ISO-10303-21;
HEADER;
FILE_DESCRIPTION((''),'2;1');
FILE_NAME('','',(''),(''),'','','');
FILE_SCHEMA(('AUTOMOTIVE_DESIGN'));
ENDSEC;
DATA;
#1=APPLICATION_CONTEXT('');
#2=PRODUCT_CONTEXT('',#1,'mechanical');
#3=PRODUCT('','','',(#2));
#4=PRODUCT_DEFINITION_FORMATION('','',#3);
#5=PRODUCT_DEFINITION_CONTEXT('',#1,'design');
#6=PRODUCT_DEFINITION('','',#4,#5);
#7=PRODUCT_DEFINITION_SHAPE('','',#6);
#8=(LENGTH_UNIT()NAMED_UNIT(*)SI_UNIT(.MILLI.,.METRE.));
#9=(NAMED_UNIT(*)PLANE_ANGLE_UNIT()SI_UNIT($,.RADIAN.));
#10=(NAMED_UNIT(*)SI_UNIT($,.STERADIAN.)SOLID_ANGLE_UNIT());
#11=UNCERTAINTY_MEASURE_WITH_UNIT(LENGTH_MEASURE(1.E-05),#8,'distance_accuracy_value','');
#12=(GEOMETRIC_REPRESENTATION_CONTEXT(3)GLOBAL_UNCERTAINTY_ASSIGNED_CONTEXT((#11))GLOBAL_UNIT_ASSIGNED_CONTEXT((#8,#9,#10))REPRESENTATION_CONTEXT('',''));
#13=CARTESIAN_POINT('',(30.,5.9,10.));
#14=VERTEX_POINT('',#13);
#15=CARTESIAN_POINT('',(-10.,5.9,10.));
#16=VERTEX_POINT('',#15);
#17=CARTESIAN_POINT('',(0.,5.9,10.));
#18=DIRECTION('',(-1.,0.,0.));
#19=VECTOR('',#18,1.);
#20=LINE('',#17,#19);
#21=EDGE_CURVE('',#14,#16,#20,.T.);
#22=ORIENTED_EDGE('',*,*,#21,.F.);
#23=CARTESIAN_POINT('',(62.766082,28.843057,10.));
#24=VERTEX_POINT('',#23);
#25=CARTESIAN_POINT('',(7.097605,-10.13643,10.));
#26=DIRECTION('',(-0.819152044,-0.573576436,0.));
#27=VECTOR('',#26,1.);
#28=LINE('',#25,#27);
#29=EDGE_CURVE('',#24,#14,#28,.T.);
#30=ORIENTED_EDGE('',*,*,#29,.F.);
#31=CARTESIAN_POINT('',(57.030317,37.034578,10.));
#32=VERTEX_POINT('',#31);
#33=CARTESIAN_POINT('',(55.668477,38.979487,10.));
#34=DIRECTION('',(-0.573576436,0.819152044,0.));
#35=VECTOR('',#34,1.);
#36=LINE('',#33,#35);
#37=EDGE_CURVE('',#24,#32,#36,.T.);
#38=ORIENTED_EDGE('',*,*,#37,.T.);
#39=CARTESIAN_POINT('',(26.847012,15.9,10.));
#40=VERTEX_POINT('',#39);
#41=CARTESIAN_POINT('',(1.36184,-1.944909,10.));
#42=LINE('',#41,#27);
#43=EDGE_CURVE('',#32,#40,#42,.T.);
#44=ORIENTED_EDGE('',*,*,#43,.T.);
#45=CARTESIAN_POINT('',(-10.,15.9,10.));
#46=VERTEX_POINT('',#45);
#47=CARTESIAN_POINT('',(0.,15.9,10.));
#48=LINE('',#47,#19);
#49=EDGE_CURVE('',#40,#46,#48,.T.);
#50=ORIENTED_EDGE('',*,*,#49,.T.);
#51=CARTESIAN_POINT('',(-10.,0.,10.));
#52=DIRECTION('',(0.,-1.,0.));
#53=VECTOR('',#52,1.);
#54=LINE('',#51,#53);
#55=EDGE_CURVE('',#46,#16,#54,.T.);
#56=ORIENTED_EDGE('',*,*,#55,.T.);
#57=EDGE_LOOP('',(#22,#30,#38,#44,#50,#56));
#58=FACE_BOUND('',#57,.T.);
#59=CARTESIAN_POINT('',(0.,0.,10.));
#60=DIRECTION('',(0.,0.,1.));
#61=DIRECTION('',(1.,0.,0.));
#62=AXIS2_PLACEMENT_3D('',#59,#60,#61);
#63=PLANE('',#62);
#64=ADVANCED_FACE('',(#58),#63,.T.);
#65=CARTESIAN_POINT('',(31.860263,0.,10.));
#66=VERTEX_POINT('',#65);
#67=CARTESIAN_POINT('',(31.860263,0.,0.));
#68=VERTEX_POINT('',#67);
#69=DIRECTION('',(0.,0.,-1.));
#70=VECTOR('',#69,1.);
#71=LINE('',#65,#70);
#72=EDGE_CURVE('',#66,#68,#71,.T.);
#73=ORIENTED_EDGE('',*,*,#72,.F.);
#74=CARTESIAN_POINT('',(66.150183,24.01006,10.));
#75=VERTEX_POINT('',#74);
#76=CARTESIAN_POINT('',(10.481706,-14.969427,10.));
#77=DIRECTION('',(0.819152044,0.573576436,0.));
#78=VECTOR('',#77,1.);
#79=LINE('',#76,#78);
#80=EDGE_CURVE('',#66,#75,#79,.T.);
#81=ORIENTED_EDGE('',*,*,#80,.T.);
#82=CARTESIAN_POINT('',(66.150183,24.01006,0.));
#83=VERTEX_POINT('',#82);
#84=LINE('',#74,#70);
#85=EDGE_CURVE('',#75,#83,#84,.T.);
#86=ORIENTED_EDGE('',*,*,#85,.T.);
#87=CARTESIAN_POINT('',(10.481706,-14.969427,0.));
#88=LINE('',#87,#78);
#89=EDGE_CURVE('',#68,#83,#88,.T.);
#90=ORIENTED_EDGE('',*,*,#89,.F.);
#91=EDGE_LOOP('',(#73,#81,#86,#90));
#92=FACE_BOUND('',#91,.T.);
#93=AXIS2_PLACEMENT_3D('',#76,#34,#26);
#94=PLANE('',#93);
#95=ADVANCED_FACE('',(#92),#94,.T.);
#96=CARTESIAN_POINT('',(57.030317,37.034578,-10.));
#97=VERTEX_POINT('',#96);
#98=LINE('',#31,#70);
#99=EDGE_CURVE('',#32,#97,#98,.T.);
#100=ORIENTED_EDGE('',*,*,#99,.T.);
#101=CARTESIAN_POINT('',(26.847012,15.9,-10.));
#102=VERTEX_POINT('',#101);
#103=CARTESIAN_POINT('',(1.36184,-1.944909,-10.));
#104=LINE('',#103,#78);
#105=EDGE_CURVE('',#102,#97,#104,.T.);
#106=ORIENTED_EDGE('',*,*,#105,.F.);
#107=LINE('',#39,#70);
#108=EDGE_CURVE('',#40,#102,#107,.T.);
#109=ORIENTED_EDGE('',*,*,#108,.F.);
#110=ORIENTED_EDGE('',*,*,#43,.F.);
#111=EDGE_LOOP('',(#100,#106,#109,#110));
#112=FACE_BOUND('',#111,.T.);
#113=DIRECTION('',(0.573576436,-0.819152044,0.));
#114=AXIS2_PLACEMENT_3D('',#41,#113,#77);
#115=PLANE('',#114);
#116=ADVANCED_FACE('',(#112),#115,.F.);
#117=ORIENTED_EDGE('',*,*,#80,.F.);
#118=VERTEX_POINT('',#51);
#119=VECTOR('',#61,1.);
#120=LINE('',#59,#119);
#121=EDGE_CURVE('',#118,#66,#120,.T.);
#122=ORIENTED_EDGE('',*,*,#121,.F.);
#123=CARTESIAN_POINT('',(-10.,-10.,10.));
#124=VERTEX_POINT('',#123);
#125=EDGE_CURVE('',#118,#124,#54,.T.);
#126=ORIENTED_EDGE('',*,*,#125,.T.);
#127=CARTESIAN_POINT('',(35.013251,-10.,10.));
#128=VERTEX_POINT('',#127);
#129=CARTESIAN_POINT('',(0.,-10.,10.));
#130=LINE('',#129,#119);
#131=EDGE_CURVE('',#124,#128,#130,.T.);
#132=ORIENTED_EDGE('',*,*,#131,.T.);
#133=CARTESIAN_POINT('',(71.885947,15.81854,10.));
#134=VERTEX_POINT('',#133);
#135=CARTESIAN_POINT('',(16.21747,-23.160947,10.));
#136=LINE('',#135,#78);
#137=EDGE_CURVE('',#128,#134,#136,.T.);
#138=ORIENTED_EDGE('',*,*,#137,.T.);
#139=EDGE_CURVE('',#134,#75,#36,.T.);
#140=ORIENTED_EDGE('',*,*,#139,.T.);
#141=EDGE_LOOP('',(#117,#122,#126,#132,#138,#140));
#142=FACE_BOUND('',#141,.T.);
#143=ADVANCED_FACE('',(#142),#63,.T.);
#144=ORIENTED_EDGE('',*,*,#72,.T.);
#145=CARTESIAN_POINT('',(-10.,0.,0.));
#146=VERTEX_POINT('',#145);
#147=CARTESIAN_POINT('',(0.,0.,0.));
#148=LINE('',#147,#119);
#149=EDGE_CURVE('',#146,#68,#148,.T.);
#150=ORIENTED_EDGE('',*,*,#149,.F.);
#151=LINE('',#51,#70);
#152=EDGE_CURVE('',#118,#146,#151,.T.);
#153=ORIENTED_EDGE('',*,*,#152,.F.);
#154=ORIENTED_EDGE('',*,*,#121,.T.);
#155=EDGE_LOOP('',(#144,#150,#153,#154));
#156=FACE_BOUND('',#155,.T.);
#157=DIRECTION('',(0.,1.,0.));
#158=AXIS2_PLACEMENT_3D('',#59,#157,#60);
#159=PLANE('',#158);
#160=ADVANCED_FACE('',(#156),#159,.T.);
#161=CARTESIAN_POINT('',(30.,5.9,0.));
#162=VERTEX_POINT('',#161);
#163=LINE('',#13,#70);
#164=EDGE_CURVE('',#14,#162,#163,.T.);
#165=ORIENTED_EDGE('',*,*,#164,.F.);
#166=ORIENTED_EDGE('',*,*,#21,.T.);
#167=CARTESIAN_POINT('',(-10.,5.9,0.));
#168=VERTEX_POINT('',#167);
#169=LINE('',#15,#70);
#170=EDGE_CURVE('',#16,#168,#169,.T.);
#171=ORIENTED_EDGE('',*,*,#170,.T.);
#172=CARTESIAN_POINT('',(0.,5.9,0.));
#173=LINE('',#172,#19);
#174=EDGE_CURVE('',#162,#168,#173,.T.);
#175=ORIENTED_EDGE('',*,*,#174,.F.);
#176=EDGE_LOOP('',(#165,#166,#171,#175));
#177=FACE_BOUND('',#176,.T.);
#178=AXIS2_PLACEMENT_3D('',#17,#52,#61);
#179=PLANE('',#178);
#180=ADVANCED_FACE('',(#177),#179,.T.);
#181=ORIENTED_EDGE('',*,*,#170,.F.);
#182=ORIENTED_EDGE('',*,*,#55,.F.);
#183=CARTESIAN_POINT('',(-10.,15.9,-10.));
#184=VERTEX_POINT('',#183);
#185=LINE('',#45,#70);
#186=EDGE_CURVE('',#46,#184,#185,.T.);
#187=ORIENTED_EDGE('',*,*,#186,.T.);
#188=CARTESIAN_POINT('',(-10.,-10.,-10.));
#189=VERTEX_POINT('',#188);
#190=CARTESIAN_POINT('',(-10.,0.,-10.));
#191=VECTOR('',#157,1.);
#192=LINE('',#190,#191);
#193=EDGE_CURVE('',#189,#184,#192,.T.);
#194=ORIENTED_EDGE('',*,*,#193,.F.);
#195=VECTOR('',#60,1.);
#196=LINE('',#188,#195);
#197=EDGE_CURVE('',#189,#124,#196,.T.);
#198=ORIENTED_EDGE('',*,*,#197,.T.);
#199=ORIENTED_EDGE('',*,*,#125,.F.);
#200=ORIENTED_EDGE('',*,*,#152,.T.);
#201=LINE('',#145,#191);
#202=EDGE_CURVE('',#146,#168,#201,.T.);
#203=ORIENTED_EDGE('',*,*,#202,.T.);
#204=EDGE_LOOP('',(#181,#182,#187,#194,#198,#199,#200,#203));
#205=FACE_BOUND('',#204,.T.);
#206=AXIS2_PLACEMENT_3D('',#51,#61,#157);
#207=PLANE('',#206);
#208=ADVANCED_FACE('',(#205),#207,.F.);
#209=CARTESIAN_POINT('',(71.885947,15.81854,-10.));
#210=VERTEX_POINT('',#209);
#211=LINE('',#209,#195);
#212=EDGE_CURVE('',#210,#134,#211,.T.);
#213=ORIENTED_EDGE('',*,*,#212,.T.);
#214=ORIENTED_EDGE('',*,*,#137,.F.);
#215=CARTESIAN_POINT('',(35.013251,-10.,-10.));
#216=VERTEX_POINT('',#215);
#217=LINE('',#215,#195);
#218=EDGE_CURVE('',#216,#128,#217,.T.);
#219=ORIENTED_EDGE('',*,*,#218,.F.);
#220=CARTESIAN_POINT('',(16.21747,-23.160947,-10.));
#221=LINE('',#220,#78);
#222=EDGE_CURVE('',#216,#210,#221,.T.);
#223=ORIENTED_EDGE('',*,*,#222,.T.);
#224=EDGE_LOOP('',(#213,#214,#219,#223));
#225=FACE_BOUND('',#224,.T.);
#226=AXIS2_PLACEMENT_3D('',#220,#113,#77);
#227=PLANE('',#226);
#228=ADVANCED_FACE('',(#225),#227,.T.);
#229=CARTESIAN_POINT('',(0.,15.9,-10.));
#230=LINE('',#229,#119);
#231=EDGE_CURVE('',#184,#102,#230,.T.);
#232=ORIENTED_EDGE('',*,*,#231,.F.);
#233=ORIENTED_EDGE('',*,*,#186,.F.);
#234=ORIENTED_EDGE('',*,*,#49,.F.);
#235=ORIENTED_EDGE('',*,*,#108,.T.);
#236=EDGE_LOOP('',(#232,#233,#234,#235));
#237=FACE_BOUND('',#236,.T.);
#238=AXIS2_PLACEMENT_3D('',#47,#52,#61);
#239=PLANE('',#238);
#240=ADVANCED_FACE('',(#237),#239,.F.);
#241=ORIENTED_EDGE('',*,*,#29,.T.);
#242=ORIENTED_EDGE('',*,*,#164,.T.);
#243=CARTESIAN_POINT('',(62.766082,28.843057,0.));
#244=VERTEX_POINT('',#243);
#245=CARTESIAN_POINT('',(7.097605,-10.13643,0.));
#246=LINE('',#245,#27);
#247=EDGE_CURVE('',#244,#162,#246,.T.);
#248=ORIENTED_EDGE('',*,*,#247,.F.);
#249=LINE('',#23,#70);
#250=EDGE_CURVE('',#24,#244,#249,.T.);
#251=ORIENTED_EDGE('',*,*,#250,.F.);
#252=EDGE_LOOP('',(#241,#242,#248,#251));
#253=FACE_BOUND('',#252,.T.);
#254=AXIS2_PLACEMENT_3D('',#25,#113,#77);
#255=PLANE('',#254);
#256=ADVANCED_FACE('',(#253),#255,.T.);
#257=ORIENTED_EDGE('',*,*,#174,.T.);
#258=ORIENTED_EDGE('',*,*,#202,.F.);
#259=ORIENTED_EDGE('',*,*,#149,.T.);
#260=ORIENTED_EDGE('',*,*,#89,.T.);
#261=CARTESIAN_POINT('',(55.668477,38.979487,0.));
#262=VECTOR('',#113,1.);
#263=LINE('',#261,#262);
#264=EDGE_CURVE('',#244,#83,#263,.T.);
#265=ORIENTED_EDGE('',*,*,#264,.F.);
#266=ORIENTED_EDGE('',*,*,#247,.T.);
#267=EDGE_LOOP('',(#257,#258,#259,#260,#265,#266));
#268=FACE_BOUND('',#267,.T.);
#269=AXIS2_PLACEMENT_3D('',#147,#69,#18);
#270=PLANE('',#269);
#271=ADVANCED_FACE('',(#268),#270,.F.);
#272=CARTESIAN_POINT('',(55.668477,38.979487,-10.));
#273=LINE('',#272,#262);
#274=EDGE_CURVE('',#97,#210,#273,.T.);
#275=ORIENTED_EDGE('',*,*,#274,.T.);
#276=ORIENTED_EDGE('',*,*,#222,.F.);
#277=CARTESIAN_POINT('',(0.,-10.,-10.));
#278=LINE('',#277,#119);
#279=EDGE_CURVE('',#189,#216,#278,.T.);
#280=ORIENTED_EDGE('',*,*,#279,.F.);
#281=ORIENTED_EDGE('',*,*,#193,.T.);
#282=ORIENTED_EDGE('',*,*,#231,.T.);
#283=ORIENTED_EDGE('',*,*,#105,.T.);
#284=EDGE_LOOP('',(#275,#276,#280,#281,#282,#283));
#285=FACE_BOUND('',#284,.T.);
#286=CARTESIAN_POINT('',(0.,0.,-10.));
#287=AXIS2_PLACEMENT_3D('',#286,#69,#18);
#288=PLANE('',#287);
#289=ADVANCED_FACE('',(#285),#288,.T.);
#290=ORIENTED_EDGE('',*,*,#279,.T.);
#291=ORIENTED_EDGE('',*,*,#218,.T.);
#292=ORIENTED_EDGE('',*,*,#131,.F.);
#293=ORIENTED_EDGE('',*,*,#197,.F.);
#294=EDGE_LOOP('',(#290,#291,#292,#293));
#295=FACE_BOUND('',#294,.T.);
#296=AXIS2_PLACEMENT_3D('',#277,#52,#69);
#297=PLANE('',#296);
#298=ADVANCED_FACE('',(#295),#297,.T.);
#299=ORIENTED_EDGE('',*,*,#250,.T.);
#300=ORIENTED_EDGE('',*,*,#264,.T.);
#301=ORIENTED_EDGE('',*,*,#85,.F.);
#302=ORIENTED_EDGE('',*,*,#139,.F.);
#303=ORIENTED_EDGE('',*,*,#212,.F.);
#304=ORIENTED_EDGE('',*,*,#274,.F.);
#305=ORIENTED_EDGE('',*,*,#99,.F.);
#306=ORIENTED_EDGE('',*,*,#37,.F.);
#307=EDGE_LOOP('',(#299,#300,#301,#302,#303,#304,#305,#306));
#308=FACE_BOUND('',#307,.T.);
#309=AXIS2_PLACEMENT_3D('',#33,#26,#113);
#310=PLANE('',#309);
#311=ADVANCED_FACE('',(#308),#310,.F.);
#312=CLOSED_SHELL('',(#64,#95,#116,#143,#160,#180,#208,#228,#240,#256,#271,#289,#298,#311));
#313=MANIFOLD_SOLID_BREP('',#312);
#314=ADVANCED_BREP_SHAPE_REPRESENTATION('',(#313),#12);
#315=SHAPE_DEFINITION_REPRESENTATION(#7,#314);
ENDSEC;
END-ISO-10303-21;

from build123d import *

# Parameters (mm, degrees)
AUFSATZ_LINEAR_AUSTRAGEN2_DEPTH   = 10
AUFSATZ_LINEAR_AUSTRAGEN2_2_DEPTH = 10
AUFSATZ_LINEAR_AUSTRAGEN3_DEPTH   = 10


with BuildPart() as part:
    # Skizze1 → Aufsatz-Linear austragen2 (new body)
    with BuildSketch(Plane.XY):
        Polygon((-10, 5.9), (0, 5.9), (30, 5.9), (54.574561329, 23.107293091), (62.766081772, 28.843057454), (57.030317408, 37.034577897), (26.847012111, 15.9), (-10, 15.9), align=None)
    extrude(amount=AUFSATZ_LINEAR_AUSTRAGEN2_DEPTH)



with BuildPart() as body_2:
    # Skizze1 → Aufsatz-Linear austragen2 2 (new body)
    with BuildSketch(Plane.XY):
        Polygon((31.860262854, 0), (0, 0), (-10, 0), (-10, -10), (35.013250743, -10), (71.88594711, 15.81853995), (66.150182746, 24.010060393), (57.958662303, 18.274296029), align=None)
    extrude(amount=AUFSATZ_LINEAR_AUSTRAGEN2_2_DEPTH)


with BuildPart() as part_1:
    add(part.part)

    add(body_2.part)  # Aufsatz-Linear austragen3 merges body 2
    # Skizze2 → Aufsatz-Linear austragen3 (add)
    with BuildSketch(Plane(origin=(0, 0, 0), x_dir=(-1, 0, 0), z_dir=(0, 0, -1))):
        Polygon((10, 15.9), (-26.847012111, 15.9), (-30, 5.9), (10, 5.9), align=None)
        Polygon((10, 5.9), (-30, 5.9), (-35.013250743, -10), (10, -10), align=None)
        Polygon((-30, 5.9), (-62.766081772, 28.843057454), (-71.88594711, 15.81853995), (-35.013250743, -10), align=None)
        Polygon((-26.847012111, 15.9), (-57.030317408, 37.034577897), (-62.766081772, 28.843057454), (-30, 5.9), align=None)
    extrude(amount=AUFSATZ_LINEAR_AUSTRAGEN3_DEPTH)


solid = part_1.part
